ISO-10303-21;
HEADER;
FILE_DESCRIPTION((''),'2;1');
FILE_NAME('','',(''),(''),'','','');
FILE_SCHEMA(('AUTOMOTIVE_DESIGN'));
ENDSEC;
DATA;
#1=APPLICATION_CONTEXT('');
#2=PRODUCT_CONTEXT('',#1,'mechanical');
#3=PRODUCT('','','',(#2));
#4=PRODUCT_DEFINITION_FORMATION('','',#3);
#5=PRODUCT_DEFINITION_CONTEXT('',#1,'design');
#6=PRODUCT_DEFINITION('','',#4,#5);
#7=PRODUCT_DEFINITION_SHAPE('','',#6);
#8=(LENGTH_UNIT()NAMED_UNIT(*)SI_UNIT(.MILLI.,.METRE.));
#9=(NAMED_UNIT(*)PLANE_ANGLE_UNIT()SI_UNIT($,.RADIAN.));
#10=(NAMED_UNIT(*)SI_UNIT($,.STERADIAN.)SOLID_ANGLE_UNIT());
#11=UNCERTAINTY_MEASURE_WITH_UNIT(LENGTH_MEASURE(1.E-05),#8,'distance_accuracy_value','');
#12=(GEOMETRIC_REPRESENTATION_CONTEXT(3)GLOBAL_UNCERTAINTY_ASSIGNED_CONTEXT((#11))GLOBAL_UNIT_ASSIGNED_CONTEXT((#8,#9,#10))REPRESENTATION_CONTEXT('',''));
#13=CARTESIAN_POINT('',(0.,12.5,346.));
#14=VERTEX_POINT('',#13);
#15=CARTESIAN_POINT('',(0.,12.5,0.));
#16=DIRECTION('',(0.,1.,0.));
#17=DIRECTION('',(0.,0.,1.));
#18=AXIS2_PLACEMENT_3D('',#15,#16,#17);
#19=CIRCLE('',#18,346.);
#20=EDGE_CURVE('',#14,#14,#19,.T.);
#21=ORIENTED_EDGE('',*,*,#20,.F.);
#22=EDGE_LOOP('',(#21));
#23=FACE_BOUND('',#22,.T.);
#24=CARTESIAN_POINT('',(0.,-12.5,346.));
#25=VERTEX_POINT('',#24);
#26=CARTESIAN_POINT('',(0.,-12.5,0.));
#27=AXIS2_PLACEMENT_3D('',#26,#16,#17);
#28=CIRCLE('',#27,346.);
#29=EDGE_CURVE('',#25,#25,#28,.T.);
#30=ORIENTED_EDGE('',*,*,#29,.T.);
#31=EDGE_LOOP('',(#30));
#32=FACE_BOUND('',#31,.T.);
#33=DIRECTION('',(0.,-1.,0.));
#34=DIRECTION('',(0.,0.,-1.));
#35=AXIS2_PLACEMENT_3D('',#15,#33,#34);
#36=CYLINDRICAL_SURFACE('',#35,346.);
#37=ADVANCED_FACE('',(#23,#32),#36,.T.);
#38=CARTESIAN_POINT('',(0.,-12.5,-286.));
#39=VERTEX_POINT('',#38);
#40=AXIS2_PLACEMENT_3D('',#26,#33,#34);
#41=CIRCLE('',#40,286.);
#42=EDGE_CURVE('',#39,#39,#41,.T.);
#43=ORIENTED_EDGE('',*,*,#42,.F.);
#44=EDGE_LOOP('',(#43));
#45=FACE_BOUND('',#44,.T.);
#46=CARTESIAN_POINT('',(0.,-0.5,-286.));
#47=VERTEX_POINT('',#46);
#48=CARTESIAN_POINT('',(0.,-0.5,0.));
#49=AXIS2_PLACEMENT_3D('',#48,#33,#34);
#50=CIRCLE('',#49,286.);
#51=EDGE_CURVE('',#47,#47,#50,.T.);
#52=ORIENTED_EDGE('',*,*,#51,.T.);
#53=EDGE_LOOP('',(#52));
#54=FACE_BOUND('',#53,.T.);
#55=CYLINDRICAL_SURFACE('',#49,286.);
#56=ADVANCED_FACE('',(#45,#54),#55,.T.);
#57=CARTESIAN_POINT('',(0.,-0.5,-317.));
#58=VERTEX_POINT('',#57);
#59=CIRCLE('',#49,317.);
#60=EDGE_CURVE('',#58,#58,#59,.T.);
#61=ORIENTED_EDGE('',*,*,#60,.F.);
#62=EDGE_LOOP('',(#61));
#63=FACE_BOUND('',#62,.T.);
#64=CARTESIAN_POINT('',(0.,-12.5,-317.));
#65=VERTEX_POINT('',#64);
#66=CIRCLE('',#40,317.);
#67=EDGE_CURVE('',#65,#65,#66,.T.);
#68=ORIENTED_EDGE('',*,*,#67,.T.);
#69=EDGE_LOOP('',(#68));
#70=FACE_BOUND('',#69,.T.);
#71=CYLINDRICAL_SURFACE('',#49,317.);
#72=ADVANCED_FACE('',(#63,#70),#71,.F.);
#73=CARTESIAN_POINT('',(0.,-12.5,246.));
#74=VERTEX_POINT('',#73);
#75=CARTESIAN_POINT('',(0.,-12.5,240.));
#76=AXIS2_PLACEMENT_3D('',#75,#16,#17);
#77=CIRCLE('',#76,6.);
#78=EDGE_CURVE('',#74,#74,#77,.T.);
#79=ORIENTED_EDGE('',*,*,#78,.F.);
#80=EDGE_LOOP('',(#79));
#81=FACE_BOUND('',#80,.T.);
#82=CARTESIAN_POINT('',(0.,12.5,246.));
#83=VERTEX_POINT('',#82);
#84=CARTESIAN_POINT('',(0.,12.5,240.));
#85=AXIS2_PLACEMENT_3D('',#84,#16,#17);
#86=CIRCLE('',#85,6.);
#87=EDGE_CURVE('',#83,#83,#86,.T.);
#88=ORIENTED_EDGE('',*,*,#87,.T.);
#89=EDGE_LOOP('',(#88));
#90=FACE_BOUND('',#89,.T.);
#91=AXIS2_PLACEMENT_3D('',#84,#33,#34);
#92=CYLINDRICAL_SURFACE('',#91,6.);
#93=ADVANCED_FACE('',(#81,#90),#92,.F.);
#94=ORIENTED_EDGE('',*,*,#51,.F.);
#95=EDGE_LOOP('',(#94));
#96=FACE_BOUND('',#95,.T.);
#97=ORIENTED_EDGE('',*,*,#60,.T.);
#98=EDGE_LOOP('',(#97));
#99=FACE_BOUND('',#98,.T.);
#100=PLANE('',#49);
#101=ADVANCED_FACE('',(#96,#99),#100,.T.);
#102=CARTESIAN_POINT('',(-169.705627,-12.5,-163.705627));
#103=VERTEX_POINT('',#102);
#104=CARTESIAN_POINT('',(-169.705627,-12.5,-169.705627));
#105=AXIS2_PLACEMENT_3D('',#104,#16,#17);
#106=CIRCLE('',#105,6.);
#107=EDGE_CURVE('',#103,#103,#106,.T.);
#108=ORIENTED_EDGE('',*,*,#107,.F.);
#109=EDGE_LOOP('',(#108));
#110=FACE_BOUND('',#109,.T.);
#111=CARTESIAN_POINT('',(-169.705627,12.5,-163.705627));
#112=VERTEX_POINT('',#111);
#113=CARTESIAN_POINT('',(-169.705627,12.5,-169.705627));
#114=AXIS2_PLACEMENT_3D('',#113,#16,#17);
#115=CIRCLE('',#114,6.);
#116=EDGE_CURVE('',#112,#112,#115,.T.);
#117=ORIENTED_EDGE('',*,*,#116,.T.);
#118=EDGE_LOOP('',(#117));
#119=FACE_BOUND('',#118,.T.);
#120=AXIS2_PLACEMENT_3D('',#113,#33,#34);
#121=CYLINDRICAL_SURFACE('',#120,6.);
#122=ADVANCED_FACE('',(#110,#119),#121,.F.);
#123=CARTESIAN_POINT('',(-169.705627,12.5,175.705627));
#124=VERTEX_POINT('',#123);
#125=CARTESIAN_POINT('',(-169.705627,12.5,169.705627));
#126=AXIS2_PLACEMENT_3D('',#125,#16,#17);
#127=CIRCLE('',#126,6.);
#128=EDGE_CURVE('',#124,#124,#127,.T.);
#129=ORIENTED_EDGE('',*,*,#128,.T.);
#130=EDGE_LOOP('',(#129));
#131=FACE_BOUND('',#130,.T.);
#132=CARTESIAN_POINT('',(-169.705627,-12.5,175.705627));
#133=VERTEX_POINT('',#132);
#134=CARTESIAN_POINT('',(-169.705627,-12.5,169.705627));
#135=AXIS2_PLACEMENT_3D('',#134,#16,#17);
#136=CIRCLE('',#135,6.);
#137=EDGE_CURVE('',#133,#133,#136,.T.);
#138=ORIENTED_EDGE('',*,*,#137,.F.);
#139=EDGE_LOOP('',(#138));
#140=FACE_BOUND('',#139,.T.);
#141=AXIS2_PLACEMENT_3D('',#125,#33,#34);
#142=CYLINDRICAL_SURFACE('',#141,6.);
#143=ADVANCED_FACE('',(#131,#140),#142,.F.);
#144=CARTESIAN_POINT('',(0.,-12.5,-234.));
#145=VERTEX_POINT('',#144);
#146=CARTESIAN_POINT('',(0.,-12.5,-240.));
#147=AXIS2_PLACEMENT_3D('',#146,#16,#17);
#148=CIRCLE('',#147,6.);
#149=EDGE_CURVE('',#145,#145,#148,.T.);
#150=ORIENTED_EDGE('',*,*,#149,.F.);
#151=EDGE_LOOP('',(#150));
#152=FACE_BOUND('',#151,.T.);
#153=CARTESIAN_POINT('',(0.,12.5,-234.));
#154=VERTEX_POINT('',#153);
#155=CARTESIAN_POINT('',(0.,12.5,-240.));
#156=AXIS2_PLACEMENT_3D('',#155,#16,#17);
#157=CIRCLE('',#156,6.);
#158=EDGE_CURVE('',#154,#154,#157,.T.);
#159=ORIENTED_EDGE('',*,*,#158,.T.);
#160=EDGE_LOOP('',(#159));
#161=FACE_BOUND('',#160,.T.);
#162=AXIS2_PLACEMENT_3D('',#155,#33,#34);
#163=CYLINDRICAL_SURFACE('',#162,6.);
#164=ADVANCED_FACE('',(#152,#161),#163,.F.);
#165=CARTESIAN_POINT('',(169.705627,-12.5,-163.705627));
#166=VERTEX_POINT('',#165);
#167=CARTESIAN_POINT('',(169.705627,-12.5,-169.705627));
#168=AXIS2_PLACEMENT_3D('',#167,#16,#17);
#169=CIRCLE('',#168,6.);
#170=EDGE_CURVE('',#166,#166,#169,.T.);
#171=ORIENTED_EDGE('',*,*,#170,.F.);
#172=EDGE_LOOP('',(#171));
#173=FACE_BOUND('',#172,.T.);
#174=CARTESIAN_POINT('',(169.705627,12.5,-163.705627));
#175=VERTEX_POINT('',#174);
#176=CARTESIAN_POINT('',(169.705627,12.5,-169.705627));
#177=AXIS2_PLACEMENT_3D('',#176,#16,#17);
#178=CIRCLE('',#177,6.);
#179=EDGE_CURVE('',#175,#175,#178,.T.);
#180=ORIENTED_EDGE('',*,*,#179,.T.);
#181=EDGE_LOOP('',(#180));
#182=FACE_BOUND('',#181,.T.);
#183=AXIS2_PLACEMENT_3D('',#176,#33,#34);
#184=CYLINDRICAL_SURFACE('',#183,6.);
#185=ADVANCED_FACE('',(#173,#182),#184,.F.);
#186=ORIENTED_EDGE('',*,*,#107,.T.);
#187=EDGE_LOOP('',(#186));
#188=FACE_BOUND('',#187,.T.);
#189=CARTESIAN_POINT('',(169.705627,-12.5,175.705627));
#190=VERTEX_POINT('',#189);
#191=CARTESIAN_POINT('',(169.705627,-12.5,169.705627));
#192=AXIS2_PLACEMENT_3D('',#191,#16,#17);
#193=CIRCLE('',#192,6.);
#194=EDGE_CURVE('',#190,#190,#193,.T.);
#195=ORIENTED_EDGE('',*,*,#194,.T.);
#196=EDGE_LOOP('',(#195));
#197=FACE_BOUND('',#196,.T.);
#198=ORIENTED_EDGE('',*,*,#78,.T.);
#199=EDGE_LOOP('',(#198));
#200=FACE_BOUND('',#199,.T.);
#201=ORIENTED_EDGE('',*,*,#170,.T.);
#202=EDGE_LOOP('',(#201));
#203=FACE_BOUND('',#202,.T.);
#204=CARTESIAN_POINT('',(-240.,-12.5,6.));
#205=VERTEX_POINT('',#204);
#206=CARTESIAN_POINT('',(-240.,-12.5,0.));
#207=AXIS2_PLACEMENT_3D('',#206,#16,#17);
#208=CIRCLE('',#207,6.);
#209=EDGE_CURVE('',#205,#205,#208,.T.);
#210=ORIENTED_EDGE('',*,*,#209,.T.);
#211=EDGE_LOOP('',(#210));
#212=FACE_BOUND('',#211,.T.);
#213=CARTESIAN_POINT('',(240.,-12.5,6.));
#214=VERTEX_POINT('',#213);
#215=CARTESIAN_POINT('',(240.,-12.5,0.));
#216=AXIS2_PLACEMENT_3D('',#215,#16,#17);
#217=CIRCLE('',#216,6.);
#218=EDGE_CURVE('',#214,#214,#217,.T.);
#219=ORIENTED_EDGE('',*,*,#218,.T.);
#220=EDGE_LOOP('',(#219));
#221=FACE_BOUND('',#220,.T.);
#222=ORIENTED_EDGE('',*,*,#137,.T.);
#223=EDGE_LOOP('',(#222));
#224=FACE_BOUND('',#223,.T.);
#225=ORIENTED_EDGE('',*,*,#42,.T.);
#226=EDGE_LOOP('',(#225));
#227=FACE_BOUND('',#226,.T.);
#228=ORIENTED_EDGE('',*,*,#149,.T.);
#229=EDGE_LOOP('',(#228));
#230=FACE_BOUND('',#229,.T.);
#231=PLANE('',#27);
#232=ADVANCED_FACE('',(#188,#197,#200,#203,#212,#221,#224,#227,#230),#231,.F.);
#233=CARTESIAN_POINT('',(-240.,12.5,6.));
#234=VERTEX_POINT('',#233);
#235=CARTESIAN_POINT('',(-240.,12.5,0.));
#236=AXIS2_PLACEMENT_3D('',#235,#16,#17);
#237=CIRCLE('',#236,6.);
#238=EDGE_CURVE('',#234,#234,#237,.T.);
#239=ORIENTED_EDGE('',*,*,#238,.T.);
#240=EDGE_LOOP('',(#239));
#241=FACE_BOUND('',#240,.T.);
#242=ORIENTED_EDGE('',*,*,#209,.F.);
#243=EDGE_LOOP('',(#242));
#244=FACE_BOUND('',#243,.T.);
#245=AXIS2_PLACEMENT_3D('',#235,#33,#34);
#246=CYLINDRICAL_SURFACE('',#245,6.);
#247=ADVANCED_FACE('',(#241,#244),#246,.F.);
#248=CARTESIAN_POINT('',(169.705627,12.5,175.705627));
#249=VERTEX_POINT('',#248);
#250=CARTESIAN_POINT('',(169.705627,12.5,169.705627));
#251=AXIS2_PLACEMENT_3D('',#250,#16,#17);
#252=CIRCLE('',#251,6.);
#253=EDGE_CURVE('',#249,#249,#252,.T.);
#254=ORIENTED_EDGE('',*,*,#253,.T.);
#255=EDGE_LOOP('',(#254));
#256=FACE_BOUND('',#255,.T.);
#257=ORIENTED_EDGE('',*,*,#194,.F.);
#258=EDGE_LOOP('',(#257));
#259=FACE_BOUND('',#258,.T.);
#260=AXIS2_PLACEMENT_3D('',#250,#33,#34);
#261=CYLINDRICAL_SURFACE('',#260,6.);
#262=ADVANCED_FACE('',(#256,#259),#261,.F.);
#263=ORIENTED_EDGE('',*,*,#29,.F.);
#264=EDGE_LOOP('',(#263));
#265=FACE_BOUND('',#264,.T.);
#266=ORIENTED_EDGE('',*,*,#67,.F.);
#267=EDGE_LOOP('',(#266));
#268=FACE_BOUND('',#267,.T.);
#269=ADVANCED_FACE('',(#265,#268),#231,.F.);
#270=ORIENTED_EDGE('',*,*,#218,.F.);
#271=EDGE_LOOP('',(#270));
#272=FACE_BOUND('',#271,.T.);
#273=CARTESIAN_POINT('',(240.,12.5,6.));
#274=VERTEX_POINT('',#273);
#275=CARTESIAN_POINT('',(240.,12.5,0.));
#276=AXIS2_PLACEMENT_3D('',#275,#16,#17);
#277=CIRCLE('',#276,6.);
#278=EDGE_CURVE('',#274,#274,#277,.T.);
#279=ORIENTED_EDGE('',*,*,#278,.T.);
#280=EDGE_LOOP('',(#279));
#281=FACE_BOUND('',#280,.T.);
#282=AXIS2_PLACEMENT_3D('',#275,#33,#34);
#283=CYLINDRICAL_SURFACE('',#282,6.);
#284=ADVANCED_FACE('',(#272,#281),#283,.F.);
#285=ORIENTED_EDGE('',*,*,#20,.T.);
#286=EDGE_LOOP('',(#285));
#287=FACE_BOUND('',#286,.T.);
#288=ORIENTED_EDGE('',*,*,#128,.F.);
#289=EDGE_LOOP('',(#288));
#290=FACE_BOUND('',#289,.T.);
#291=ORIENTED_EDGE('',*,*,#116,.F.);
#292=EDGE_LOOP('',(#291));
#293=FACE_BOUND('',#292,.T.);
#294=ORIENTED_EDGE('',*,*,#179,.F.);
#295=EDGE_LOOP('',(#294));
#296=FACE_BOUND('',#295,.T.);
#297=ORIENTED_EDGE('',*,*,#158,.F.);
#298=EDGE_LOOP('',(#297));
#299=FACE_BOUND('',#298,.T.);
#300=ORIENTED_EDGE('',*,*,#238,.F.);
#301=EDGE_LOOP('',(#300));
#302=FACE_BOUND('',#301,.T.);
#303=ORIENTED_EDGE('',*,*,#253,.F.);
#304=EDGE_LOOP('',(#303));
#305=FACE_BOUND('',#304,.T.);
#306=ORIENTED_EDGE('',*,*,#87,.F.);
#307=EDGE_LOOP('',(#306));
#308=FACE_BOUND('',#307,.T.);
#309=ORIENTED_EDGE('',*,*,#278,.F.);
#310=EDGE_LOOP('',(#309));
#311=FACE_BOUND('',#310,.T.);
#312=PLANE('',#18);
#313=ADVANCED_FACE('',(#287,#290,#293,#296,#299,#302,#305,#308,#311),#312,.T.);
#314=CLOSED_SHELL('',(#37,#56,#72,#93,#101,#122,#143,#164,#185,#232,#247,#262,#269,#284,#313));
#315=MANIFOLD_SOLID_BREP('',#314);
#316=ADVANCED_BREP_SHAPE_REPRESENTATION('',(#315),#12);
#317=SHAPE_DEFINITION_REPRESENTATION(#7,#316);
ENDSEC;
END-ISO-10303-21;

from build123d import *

# Parameters (mm, degrees)
SKETCH1_R           = 346
SKETCH1_R_2         = 6
BOSS_EXTRUDE1_DEPTH = 12.5
SKETCH2_R           = 317
SKETCH2_R_2         = 286
CUT_EXTRUDE1_DEPTH  = 12


with BuildPart() as part:
    # Sketch1 → Boss-Extrude1 (new, symmetric)
    with BuildSketch(Plane(origin=(0, 0, 0), x_dir=(1, 0, 0), z_dir=(0, 1, 0))):
        with Locations(Location((0, 0, 0), (0, 0, 270))):
            Circle(SKETCH1_R)
        with Locations(Location((0, 240, 0), (0, 0, 270))):
            Circle(SKETCH1_R_2, mode=Mode.SUBTRACT)
        with Locations(Location((169.705627485, 169.705627485, 0), (0, 0, 270))):
            Circle(SKETCH1_R_2, mode=Mode.SUBTRACT)
        with Locations(Location((240, 0, 0), (0, 0, 270))):
            Circle(SKETCH1_R_2, mode=Mode.SUBTRACT)
        with Locations(Location((169.705627485, -169.705627485, 0), (0, 0, 270))):
            Circle(SKETCH1_R_2, mode=Mode.SUBTRACT)
        with Locations(Location((0, -240, 0), (0, 0, 270))):
            Circle(SKETCH1_R_2, mode=Mode.SUBTRACT)
        with Locations(Location((-169.705627485, -169.705627485, 0), (0, 0, 270))):
            Circle(SKETCH1_R_2, mode=Mode.SUBTRACT)
        with Locations(Location((-240, 0, 0), (0, 0, 270))):
            Circle(SKETCH1_R_2, mode=Mode.SUBTRACT)
        with Locations(Location((-169.705627485, 169.705627485, 0), (0, 0, 270))):
            Circle(SKETCH1_R_2, mode=Mode.SUBTRACT)
    extrude(amount=BOSS_EXTRUDE1_DEPTH, both=True)

    # Sketch2 → Cut-Extrude1 (cut)
    with BuildSketch(Plane.XZ.offset(12.5)):
        with Locations(Location((0, 0, 0), (0, 0, 270))):
            Circle(SKETCH2_R)
        with Locations(Location((0, 0, 0), (0, 0, 270))):
            Circle(SKETCH2_R_2, mode=Mode.SUBTRACT)
    extrude(amount=-CUT_EXTRUDE1_DEPTH, mode=Mode.SUBTRACT)


solid = part.part
